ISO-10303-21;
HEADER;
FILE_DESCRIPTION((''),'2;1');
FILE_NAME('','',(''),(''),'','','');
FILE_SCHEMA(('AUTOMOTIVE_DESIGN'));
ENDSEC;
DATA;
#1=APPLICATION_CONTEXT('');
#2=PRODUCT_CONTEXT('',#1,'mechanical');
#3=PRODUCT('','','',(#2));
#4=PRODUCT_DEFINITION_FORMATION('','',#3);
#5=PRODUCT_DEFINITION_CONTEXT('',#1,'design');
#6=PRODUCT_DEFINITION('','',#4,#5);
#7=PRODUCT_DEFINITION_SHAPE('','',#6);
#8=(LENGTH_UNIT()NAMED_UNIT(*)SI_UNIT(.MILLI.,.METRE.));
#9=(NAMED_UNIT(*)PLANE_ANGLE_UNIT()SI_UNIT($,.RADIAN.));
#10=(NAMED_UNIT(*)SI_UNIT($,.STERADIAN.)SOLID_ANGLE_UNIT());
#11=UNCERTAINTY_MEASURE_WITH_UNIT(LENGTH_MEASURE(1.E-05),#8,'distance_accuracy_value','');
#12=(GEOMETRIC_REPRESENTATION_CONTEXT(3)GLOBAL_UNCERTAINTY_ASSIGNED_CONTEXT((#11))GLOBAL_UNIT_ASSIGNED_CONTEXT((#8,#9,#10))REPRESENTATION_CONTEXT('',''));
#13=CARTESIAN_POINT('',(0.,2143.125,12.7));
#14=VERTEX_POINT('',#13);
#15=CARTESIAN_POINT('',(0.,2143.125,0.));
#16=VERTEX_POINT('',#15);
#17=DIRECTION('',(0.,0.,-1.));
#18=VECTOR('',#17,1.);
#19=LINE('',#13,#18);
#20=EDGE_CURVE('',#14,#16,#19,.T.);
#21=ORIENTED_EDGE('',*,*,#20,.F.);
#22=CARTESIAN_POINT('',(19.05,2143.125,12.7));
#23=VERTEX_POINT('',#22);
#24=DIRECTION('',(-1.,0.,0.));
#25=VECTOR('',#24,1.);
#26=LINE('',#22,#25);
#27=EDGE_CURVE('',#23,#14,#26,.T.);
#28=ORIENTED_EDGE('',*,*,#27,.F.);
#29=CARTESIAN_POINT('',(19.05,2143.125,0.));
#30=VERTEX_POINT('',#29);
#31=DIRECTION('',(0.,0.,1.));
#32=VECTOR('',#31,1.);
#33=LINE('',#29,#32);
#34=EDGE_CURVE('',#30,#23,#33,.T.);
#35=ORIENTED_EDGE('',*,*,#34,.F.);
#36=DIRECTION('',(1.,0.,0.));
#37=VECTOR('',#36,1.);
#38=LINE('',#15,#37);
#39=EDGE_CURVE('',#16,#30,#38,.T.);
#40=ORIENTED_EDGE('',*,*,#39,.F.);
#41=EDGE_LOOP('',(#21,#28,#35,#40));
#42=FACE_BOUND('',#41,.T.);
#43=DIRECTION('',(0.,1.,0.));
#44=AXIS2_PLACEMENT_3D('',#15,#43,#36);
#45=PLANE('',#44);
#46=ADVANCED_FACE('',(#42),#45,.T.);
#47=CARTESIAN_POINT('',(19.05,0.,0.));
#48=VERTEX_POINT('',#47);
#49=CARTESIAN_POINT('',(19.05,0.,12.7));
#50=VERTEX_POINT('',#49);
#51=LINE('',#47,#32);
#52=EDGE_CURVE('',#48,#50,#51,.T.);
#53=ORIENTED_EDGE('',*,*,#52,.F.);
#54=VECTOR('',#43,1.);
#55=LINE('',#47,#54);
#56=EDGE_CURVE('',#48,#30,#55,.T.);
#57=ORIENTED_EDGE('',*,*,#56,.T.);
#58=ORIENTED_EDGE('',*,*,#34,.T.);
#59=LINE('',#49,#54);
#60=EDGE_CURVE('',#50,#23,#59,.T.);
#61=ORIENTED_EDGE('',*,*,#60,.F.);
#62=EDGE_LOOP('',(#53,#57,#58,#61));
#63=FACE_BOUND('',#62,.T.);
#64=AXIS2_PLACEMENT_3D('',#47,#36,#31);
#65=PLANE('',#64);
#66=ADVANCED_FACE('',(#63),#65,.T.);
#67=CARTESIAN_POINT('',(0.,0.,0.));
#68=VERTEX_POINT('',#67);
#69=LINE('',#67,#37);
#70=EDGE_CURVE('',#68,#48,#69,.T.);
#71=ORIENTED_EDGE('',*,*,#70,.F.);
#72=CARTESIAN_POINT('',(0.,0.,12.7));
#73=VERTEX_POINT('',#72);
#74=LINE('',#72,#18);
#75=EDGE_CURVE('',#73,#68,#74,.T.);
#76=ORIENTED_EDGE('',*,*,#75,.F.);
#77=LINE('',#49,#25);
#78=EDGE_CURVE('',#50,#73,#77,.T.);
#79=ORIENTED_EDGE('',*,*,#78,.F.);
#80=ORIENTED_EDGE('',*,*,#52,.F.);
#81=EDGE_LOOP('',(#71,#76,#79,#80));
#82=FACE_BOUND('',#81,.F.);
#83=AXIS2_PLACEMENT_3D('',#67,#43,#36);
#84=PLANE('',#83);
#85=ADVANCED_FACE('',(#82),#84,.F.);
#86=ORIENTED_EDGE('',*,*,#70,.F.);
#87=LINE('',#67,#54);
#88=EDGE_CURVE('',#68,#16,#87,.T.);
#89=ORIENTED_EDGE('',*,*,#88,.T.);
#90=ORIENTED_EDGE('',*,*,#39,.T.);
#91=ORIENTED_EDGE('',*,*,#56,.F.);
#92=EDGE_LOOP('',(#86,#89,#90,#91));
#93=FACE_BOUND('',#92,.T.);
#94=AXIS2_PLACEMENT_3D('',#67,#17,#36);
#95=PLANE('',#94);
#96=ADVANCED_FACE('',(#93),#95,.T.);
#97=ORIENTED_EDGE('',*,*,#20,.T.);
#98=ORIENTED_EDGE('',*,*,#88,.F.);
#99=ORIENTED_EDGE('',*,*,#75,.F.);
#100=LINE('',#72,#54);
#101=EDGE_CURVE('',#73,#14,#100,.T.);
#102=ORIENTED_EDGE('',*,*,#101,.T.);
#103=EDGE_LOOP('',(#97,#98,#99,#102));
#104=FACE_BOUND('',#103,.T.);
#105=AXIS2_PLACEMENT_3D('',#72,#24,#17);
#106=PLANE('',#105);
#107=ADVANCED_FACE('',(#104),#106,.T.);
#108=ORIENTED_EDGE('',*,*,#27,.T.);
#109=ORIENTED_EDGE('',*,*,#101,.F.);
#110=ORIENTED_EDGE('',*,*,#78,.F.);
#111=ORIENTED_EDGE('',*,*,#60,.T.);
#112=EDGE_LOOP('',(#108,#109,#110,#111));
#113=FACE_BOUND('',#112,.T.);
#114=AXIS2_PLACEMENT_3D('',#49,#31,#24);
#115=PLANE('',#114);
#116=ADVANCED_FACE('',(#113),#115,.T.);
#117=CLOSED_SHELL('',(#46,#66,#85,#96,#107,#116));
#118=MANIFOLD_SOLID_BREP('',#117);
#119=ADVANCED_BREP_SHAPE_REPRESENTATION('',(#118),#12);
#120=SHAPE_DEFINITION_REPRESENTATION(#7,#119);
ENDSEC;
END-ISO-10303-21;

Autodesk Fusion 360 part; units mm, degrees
sketch "Sketch1" plane through (0, 0, 0) normal (0, 1, 0) x (1, 0, 0)
  line L0 (0, 0) -> (19.05, 0)
  line L1 (19.05, 0) -> (19.05, -12.7)
  line L2 (19.05, -12.7) -> (0, -12.7)
  line L3 (0, -12.7) -> (0, 0)
  dimension "d8" = 19.05
  dimension "d9" = 12.7
extrude "Extrude1" add sketch "Sketch1" along normal blind 2143.125
equation "F_Load = 400 lbforce" comment "Load"
equation "E_Modulus = 10000000 psi" comment "Modulus"
equation "Delta = 0.009 in" comment "Max Deflection"
equation "Width = 0.75 in"
equation "Height = 0.5 in"
equation "Area = Width * Height"
equation "Length = Delta * Width * Height * E_Modulus / F_Load" comment "Area function wouldn't work"
equation "d8 = Width"
equation "d9 = Height"
equation "d10 = Length"
